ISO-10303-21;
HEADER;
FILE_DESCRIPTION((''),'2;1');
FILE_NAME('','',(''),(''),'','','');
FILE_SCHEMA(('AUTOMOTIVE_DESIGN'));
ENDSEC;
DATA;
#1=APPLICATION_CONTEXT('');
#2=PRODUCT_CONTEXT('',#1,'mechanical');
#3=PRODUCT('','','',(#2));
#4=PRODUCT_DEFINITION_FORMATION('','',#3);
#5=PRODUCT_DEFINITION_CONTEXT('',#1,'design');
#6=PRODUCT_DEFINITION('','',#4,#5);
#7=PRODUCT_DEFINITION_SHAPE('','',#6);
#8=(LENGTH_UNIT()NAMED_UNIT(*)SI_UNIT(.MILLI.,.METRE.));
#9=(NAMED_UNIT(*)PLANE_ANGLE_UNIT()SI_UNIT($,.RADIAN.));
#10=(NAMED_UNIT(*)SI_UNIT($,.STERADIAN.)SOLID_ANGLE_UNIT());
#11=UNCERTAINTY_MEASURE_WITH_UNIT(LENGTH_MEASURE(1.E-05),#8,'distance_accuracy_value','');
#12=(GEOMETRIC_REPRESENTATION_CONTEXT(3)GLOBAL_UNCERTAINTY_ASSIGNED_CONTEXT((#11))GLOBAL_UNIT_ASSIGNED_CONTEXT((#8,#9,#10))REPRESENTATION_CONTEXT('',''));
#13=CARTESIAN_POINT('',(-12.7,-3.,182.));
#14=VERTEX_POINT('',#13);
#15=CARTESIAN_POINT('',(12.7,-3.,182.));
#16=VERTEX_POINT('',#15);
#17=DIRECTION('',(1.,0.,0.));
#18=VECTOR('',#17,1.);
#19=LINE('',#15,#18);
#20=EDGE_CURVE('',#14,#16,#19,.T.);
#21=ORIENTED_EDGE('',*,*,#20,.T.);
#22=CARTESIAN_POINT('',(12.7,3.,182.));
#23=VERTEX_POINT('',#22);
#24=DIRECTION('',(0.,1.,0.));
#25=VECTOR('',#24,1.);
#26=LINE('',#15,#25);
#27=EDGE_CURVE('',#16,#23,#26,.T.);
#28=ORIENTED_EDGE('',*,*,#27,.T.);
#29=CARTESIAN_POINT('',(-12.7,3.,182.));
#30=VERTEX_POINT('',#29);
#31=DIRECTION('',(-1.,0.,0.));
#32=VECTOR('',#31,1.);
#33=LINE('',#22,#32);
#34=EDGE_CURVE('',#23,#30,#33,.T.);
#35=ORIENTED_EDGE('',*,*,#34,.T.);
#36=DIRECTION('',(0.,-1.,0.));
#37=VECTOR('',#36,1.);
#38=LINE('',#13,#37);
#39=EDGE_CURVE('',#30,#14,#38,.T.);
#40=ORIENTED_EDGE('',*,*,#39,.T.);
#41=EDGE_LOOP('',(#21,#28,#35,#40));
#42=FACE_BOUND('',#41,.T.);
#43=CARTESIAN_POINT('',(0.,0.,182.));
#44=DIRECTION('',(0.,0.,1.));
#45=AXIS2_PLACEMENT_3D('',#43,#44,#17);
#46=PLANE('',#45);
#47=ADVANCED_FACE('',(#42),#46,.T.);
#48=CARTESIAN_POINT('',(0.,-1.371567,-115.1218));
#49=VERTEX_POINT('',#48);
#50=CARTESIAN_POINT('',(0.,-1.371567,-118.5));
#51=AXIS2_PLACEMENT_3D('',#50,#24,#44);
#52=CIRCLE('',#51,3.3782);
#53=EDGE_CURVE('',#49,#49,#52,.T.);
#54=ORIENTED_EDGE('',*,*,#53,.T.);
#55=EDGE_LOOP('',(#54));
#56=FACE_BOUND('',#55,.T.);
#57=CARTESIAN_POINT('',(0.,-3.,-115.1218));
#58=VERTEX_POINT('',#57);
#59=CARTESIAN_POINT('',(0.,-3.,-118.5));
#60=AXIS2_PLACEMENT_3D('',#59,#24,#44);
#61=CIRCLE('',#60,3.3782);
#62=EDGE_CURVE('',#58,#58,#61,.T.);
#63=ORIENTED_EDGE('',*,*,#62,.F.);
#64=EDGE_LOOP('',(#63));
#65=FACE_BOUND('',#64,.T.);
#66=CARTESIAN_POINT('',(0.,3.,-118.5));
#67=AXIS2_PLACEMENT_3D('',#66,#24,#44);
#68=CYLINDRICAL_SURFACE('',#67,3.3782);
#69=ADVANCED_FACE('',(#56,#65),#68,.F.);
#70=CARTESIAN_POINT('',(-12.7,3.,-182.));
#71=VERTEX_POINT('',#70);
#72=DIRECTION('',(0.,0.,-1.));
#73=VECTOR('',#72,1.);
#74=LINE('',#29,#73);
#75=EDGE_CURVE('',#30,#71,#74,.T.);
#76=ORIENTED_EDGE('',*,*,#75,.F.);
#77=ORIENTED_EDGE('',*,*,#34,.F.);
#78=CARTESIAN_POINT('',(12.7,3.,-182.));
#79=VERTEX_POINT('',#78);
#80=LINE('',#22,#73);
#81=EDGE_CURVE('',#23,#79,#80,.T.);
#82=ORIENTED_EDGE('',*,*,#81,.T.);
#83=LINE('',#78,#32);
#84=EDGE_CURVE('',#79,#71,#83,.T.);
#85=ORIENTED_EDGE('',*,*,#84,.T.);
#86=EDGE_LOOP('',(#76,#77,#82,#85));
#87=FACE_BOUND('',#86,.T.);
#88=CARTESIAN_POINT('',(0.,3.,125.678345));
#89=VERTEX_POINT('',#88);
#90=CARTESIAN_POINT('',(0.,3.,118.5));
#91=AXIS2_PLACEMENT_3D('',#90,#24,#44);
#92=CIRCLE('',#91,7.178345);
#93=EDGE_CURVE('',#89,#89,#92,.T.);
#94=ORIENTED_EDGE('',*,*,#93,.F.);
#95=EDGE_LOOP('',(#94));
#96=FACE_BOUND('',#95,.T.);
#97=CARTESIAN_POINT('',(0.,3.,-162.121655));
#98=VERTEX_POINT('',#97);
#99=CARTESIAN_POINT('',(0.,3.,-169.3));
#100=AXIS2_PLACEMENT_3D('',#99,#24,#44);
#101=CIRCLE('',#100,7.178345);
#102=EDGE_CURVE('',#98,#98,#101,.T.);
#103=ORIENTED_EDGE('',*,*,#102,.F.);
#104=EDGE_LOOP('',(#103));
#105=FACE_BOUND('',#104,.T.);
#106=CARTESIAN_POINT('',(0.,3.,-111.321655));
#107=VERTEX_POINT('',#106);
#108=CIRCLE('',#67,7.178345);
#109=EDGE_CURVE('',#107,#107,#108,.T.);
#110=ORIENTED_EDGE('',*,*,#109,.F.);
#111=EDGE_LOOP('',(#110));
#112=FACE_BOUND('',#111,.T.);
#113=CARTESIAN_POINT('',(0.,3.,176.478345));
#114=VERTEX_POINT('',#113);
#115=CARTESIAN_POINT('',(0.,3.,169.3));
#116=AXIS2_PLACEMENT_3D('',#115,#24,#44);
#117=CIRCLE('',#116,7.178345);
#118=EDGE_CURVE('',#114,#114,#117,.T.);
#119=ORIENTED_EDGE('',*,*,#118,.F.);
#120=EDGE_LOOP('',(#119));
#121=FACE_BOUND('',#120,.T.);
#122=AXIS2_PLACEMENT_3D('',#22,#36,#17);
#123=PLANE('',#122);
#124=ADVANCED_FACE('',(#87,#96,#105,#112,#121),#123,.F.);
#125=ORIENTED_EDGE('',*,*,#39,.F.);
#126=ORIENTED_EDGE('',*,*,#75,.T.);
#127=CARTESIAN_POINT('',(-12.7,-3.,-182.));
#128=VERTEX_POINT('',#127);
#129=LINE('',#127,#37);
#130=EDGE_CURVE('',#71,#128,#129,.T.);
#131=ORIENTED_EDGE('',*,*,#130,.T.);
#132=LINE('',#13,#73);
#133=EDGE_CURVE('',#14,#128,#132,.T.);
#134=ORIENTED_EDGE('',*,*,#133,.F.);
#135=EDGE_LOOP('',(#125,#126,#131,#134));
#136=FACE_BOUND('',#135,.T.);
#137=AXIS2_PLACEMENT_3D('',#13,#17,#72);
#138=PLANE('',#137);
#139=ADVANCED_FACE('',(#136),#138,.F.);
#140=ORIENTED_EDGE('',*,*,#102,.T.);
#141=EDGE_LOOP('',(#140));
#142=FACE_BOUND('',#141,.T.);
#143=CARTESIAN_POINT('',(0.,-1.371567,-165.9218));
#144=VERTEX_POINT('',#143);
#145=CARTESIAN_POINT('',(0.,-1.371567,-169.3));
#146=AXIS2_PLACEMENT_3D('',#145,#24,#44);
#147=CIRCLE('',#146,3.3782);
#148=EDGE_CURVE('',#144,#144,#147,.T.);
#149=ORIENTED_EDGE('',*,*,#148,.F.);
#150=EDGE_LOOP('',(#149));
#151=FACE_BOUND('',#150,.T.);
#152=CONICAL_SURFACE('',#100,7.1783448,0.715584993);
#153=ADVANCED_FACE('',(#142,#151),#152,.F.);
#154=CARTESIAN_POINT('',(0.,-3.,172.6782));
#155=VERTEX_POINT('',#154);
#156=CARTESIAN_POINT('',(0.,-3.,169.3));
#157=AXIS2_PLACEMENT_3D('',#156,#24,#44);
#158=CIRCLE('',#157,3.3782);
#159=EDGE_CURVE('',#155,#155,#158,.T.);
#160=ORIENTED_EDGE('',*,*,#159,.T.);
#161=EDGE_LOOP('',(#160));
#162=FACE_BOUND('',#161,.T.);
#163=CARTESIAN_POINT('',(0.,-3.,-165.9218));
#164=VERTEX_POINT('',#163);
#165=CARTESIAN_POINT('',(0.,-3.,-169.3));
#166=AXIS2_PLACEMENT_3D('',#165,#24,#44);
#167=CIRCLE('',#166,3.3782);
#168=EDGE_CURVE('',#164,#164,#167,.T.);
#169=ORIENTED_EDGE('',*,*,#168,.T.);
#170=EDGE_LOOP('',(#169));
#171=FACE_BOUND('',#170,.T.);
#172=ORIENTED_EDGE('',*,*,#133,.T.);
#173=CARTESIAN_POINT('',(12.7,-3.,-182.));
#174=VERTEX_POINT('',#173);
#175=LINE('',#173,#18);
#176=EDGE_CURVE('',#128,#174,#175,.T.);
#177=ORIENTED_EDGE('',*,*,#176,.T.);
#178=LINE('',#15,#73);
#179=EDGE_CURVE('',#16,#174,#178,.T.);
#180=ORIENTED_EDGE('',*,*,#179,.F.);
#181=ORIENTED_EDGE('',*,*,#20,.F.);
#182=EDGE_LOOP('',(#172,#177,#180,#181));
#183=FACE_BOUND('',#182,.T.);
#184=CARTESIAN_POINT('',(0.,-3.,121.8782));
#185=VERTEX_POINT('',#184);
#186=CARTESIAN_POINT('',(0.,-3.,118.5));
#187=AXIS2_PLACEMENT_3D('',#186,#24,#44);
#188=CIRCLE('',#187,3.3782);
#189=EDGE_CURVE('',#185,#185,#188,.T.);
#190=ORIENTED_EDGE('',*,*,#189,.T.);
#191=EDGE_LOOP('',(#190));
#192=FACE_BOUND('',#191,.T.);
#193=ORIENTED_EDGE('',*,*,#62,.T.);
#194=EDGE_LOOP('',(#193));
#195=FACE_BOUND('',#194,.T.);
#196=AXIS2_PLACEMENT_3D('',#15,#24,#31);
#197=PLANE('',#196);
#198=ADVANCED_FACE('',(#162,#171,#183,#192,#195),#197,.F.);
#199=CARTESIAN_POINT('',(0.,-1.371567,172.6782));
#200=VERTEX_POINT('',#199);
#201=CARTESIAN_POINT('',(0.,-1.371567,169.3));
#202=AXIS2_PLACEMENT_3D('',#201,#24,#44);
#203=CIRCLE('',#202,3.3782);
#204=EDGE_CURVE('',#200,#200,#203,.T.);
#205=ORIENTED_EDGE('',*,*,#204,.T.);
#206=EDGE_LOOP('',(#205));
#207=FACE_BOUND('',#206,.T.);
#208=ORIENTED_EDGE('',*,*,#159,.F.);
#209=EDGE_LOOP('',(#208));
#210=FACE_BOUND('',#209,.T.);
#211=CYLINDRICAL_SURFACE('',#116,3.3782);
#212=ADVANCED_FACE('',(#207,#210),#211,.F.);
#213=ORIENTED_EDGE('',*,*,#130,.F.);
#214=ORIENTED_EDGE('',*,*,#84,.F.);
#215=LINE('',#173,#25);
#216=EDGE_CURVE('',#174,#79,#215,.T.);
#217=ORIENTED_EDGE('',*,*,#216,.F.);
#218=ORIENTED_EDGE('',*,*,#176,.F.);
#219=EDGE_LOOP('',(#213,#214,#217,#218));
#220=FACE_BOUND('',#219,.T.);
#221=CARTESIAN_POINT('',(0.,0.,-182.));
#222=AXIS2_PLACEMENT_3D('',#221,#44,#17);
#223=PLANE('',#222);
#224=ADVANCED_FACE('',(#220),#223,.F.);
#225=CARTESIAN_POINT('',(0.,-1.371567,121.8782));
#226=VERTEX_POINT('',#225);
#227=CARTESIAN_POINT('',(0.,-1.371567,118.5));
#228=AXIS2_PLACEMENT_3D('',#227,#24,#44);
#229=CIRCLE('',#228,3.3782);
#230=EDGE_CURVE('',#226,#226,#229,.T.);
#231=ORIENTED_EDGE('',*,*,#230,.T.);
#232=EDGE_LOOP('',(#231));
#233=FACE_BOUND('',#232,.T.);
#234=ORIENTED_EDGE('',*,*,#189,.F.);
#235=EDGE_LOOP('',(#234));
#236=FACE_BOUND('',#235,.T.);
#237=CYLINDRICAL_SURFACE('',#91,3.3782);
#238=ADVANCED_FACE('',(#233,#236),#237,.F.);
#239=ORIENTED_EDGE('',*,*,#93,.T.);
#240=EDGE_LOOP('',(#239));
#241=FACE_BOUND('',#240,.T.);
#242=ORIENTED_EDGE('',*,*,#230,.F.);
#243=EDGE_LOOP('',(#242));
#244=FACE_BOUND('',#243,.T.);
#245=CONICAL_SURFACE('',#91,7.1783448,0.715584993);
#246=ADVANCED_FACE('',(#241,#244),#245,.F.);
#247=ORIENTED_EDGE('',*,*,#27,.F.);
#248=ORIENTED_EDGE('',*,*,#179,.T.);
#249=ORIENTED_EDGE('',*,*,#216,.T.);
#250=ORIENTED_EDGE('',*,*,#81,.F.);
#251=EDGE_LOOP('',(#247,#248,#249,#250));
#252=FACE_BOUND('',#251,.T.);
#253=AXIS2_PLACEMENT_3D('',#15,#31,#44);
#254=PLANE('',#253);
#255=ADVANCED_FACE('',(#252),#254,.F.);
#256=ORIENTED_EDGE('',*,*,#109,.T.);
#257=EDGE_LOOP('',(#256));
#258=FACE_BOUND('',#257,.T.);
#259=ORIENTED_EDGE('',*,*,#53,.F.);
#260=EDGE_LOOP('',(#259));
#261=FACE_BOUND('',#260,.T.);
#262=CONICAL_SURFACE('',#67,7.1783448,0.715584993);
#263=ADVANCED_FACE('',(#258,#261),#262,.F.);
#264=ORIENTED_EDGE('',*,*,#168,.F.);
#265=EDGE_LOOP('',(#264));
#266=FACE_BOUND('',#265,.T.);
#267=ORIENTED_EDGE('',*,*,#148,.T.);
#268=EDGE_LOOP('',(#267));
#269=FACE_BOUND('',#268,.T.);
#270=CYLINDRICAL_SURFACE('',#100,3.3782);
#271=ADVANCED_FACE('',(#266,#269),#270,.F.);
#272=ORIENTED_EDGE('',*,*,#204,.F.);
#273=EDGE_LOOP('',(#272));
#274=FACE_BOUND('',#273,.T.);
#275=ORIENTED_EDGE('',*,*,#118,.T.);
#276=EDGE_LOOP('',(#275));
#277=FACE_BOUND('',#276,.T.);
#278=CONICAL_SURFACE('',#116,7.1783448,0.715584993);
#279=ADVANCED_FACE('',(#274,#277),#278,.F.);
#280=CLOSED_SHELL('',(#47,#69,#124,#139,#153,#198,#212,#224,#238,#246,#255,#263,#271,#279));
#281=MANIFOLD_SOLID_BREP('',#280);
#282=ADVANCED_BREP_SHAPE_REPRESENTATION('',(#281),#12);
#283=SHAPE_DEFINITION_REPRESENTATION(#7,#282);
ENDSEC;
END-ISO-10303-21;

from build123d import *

# Parameters (mm, degrees)
SKETCH3_W                                    = 25.4
SKETCH3_H                                    = 6
BOSS_EXTRUDE1_DEPTH                          = 182
CSK_FOR_1_4_FLAT_HEAD_SOCKET_CAP_SCR_2_COUNT = 2
CSK_FOR_1_4_FLAT_HEAD_SOCKET_CAP_SCR_2_PITCH = 338.6
CSK_FOR_1_4_FLAT_HEAD_SOCKET_CAP_SCR_3_COUNT = 2
CSK_FOR_1_4_FLAT_HEAD_SOCKET_CAP_SCR_3_PITCH = 50.8
CSK_FOR_1_4_FLAT_HEAD_SOCKET_CAP_SCR_4_COUNT = 2
CSK_FOR_1_4_FLAT_HEAD_SOCKET_CAP_SCR_4_PITCH = 287.8


with BuildPart() as part:
    # Sketch3 → Boss-Extrude1 (new body, symmetric)
    with BuildSketch(Plane.XY):
        Rectangle(SKETCH3_W, SKETCH3_H)
    extrude(amount=BOSS_EXTRUDE1_DEPTH, both=True)

    # Sketch8 → CSK for 1/4 Flat Head Socket Cap Screw1 (revolve, cut)
    with BuildSketch(Plane(origin=(0, 3, -169.3), x_dir=(0, 0, 1), z_dir=(1, 0, 0))):
        Polygon((0, 0), (0, 6), (3.3782, 6), (3.3782, 4.371566521), (7.1783448, 0), align=None)
    csk_for_1_4_flat_head_socket_cap_screw1 = revolve(axis=Axis((0, 9.35, -169.3), (0, -1, 0)), mode=Mode.SUBTRACT)

    # CSK for 1_4 Flat Head Socket Cap Scr 2: CSK for 1/4 Flat Head Socket Cap Screw1 ×2
    with Locations(*[(0, 0, i * CSK_FOR_1_4_FLAT_HEAD_SOCKET_CAP_SCR_2_PITCH) for i in range(1, CSK_FOR_1_4_FLAT_HEAD_SOCKET_CAP_SCR_2_COUNT)]):
        add(csk_for_1_4_flat_head_socket_cap_screw1, mode=Mode.SUBTRACT)

    # CSK for 1_4 Flat Head Socket Cap Scr 3: CSK for 1/4 Flat Head Socket Cap Screw1 ×2
    with Locations(*[(0, 0, i * CSK_FOR_1_4_FLAT_HEAD_SOCKET_CAP_SCR_3_PITCH) for i in range(1, CSK_FOR_1_4_FLAT_HEAD_SOCKET_CAP_SCR_3_COUNT)]):
        add(csk_for_1_4_flat_head_socket_cap_screw1, mode=Mode.SUBTRACT)

    # CSK for 1_4 Flat Head Socket Cap Scr 4: CSK for 1/4 Flat Head Socket Cap Screw1 ×2
    with Locations(*[(0, 0, i * CSK_FOR_1_4_FLAT_HEAD_SOCKET_CAP_SCR_4_PITCH) for i in range(1, CSK_FOR_1_4_FLAT_HEAD_SOCKET_CAP_SCR_4_COUNT)]):
        add(csk_for_1_4_flat_head_socket_cap_screw1, mode=Mode.SUBTRACT)


solid = part.part
